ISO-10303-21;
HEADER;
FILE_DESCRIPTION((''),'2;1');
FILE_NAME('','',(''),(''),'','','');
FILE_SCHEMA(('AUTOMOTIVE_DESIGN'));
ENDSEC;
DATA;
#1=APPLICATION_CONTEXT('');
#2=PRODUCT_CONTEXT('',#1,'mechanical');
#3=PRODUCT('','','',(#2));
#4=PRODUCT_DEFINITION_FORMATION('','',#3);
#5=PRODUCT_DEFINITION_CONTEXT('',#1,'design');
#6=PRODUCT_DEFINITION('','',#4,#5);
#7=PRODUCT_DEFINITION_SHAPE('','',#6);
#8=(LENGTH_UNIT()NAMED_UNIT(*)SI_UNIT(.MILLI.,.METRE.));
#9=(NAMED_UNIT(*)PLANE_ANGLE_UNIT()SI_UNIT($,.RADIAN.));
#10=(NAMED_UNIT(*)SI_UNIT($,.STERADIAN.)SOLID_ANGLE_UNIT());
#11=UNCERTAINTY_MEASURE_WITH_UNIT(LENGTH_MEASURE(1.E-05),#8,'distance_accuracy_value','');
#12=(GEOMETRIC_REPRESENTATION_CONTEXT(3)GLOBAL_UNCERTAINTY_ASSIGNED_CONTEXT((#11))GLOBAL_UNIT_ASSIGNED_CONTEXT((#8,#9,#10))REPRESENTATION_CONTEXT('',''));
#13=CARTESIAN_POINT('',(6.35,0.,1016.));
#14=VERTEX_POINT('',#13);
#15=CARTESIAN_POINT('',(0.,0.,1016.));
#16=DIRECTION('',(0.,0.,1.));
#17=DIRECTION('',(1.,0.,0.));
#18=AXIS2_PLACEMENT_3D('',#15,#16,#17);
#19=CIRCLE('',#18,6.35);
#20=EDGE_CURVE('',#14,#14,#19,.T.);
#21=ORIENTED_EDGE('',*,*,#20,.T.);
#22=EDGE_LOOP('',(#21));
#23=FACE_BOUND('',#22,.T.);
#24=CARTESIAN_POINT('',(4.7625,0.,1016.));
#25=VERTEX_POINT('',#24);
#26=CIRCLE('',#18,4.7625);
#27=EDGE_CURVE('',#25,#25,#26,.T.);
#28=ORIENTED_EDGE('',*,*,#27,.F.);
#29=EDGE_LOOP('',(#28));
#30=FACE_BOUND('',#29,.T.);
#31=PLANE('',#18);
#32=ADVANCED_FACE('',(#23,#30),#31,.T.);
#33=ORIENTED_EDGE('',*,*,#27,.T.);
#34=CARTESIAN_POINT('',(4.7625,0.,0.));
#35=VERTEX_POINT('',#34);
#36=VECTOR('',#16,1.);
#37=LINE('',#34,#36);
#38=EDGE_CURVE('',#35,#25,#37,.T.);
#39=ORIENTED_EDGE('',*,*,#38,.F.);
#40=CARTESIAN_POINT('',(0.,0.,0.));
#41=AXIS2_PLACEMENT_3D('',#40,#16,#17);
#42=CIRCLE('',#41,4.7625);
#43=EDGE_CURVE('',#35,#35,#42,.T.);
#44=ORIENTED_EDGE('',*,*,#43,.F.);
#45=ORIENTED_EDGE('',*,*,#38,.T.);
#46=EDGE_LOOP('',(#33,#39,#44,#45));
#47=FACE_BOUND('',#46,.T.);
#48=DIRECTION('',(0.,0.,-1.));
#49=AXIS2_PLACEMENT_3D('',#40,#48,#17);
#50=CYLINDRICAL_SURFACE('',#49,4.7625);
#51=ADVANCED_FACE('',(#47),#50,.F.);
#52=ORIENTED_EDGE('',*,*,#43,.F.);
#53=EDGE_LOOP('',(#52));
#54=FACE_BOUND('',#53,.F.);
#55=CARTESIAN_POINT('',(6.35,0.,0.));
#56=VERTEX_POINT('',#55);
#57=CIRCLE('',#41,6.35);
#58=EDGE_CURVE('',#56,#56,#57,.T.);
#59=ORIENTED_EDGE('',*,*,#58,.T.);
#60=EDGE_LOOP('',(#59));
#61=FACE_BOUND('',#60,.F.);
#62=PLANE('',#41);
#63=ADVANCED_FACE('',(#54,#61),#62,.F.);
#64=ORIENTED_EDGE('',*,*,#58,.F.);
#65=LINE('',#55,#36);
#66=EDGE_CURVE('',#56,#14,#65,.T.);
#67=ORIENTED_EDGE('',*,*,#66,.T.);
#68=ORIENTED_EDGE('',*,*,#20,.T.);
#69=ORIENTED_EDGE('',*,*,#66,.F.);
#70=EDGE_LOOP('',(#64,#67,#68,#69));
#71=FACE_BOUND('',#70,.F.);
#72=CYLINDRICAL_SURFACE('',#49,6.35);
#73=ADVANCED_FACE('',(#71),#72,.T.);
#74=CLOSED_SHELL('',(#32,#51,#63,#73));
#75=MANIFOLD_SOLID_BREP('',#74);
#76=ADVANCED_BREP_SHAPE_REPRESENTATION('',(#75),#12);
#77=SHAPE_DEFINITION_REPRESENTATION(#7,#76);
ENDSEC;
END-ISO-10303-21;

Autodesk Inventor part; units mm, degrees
ref_plane "YZ Plane" through (0, 0, 0) normal (1, 0, 0) x (0, 1, 0)
ref_plane "XZ Plane" through (0, 0, 0) normal (0, 1, 0) x (-1, 0, 0)
ref_plane "XY Plane" through (0, 0, 0) normal (0, 0, 1) x (1, 0, 0)
sketch "Sketch1" plane through (0, 0, 0) normal (0, 0, 1) x (1, 0, 0)
  circle A0 centre (0, 0) radius 6.35
  circle A1 centre (0, 0) radius 4.7625
  dimension "d0" = 12.7
  dimension "d1" = 9.525
extrude "Extrusion1" add sketch "Sketch1" along normal blind 1016
